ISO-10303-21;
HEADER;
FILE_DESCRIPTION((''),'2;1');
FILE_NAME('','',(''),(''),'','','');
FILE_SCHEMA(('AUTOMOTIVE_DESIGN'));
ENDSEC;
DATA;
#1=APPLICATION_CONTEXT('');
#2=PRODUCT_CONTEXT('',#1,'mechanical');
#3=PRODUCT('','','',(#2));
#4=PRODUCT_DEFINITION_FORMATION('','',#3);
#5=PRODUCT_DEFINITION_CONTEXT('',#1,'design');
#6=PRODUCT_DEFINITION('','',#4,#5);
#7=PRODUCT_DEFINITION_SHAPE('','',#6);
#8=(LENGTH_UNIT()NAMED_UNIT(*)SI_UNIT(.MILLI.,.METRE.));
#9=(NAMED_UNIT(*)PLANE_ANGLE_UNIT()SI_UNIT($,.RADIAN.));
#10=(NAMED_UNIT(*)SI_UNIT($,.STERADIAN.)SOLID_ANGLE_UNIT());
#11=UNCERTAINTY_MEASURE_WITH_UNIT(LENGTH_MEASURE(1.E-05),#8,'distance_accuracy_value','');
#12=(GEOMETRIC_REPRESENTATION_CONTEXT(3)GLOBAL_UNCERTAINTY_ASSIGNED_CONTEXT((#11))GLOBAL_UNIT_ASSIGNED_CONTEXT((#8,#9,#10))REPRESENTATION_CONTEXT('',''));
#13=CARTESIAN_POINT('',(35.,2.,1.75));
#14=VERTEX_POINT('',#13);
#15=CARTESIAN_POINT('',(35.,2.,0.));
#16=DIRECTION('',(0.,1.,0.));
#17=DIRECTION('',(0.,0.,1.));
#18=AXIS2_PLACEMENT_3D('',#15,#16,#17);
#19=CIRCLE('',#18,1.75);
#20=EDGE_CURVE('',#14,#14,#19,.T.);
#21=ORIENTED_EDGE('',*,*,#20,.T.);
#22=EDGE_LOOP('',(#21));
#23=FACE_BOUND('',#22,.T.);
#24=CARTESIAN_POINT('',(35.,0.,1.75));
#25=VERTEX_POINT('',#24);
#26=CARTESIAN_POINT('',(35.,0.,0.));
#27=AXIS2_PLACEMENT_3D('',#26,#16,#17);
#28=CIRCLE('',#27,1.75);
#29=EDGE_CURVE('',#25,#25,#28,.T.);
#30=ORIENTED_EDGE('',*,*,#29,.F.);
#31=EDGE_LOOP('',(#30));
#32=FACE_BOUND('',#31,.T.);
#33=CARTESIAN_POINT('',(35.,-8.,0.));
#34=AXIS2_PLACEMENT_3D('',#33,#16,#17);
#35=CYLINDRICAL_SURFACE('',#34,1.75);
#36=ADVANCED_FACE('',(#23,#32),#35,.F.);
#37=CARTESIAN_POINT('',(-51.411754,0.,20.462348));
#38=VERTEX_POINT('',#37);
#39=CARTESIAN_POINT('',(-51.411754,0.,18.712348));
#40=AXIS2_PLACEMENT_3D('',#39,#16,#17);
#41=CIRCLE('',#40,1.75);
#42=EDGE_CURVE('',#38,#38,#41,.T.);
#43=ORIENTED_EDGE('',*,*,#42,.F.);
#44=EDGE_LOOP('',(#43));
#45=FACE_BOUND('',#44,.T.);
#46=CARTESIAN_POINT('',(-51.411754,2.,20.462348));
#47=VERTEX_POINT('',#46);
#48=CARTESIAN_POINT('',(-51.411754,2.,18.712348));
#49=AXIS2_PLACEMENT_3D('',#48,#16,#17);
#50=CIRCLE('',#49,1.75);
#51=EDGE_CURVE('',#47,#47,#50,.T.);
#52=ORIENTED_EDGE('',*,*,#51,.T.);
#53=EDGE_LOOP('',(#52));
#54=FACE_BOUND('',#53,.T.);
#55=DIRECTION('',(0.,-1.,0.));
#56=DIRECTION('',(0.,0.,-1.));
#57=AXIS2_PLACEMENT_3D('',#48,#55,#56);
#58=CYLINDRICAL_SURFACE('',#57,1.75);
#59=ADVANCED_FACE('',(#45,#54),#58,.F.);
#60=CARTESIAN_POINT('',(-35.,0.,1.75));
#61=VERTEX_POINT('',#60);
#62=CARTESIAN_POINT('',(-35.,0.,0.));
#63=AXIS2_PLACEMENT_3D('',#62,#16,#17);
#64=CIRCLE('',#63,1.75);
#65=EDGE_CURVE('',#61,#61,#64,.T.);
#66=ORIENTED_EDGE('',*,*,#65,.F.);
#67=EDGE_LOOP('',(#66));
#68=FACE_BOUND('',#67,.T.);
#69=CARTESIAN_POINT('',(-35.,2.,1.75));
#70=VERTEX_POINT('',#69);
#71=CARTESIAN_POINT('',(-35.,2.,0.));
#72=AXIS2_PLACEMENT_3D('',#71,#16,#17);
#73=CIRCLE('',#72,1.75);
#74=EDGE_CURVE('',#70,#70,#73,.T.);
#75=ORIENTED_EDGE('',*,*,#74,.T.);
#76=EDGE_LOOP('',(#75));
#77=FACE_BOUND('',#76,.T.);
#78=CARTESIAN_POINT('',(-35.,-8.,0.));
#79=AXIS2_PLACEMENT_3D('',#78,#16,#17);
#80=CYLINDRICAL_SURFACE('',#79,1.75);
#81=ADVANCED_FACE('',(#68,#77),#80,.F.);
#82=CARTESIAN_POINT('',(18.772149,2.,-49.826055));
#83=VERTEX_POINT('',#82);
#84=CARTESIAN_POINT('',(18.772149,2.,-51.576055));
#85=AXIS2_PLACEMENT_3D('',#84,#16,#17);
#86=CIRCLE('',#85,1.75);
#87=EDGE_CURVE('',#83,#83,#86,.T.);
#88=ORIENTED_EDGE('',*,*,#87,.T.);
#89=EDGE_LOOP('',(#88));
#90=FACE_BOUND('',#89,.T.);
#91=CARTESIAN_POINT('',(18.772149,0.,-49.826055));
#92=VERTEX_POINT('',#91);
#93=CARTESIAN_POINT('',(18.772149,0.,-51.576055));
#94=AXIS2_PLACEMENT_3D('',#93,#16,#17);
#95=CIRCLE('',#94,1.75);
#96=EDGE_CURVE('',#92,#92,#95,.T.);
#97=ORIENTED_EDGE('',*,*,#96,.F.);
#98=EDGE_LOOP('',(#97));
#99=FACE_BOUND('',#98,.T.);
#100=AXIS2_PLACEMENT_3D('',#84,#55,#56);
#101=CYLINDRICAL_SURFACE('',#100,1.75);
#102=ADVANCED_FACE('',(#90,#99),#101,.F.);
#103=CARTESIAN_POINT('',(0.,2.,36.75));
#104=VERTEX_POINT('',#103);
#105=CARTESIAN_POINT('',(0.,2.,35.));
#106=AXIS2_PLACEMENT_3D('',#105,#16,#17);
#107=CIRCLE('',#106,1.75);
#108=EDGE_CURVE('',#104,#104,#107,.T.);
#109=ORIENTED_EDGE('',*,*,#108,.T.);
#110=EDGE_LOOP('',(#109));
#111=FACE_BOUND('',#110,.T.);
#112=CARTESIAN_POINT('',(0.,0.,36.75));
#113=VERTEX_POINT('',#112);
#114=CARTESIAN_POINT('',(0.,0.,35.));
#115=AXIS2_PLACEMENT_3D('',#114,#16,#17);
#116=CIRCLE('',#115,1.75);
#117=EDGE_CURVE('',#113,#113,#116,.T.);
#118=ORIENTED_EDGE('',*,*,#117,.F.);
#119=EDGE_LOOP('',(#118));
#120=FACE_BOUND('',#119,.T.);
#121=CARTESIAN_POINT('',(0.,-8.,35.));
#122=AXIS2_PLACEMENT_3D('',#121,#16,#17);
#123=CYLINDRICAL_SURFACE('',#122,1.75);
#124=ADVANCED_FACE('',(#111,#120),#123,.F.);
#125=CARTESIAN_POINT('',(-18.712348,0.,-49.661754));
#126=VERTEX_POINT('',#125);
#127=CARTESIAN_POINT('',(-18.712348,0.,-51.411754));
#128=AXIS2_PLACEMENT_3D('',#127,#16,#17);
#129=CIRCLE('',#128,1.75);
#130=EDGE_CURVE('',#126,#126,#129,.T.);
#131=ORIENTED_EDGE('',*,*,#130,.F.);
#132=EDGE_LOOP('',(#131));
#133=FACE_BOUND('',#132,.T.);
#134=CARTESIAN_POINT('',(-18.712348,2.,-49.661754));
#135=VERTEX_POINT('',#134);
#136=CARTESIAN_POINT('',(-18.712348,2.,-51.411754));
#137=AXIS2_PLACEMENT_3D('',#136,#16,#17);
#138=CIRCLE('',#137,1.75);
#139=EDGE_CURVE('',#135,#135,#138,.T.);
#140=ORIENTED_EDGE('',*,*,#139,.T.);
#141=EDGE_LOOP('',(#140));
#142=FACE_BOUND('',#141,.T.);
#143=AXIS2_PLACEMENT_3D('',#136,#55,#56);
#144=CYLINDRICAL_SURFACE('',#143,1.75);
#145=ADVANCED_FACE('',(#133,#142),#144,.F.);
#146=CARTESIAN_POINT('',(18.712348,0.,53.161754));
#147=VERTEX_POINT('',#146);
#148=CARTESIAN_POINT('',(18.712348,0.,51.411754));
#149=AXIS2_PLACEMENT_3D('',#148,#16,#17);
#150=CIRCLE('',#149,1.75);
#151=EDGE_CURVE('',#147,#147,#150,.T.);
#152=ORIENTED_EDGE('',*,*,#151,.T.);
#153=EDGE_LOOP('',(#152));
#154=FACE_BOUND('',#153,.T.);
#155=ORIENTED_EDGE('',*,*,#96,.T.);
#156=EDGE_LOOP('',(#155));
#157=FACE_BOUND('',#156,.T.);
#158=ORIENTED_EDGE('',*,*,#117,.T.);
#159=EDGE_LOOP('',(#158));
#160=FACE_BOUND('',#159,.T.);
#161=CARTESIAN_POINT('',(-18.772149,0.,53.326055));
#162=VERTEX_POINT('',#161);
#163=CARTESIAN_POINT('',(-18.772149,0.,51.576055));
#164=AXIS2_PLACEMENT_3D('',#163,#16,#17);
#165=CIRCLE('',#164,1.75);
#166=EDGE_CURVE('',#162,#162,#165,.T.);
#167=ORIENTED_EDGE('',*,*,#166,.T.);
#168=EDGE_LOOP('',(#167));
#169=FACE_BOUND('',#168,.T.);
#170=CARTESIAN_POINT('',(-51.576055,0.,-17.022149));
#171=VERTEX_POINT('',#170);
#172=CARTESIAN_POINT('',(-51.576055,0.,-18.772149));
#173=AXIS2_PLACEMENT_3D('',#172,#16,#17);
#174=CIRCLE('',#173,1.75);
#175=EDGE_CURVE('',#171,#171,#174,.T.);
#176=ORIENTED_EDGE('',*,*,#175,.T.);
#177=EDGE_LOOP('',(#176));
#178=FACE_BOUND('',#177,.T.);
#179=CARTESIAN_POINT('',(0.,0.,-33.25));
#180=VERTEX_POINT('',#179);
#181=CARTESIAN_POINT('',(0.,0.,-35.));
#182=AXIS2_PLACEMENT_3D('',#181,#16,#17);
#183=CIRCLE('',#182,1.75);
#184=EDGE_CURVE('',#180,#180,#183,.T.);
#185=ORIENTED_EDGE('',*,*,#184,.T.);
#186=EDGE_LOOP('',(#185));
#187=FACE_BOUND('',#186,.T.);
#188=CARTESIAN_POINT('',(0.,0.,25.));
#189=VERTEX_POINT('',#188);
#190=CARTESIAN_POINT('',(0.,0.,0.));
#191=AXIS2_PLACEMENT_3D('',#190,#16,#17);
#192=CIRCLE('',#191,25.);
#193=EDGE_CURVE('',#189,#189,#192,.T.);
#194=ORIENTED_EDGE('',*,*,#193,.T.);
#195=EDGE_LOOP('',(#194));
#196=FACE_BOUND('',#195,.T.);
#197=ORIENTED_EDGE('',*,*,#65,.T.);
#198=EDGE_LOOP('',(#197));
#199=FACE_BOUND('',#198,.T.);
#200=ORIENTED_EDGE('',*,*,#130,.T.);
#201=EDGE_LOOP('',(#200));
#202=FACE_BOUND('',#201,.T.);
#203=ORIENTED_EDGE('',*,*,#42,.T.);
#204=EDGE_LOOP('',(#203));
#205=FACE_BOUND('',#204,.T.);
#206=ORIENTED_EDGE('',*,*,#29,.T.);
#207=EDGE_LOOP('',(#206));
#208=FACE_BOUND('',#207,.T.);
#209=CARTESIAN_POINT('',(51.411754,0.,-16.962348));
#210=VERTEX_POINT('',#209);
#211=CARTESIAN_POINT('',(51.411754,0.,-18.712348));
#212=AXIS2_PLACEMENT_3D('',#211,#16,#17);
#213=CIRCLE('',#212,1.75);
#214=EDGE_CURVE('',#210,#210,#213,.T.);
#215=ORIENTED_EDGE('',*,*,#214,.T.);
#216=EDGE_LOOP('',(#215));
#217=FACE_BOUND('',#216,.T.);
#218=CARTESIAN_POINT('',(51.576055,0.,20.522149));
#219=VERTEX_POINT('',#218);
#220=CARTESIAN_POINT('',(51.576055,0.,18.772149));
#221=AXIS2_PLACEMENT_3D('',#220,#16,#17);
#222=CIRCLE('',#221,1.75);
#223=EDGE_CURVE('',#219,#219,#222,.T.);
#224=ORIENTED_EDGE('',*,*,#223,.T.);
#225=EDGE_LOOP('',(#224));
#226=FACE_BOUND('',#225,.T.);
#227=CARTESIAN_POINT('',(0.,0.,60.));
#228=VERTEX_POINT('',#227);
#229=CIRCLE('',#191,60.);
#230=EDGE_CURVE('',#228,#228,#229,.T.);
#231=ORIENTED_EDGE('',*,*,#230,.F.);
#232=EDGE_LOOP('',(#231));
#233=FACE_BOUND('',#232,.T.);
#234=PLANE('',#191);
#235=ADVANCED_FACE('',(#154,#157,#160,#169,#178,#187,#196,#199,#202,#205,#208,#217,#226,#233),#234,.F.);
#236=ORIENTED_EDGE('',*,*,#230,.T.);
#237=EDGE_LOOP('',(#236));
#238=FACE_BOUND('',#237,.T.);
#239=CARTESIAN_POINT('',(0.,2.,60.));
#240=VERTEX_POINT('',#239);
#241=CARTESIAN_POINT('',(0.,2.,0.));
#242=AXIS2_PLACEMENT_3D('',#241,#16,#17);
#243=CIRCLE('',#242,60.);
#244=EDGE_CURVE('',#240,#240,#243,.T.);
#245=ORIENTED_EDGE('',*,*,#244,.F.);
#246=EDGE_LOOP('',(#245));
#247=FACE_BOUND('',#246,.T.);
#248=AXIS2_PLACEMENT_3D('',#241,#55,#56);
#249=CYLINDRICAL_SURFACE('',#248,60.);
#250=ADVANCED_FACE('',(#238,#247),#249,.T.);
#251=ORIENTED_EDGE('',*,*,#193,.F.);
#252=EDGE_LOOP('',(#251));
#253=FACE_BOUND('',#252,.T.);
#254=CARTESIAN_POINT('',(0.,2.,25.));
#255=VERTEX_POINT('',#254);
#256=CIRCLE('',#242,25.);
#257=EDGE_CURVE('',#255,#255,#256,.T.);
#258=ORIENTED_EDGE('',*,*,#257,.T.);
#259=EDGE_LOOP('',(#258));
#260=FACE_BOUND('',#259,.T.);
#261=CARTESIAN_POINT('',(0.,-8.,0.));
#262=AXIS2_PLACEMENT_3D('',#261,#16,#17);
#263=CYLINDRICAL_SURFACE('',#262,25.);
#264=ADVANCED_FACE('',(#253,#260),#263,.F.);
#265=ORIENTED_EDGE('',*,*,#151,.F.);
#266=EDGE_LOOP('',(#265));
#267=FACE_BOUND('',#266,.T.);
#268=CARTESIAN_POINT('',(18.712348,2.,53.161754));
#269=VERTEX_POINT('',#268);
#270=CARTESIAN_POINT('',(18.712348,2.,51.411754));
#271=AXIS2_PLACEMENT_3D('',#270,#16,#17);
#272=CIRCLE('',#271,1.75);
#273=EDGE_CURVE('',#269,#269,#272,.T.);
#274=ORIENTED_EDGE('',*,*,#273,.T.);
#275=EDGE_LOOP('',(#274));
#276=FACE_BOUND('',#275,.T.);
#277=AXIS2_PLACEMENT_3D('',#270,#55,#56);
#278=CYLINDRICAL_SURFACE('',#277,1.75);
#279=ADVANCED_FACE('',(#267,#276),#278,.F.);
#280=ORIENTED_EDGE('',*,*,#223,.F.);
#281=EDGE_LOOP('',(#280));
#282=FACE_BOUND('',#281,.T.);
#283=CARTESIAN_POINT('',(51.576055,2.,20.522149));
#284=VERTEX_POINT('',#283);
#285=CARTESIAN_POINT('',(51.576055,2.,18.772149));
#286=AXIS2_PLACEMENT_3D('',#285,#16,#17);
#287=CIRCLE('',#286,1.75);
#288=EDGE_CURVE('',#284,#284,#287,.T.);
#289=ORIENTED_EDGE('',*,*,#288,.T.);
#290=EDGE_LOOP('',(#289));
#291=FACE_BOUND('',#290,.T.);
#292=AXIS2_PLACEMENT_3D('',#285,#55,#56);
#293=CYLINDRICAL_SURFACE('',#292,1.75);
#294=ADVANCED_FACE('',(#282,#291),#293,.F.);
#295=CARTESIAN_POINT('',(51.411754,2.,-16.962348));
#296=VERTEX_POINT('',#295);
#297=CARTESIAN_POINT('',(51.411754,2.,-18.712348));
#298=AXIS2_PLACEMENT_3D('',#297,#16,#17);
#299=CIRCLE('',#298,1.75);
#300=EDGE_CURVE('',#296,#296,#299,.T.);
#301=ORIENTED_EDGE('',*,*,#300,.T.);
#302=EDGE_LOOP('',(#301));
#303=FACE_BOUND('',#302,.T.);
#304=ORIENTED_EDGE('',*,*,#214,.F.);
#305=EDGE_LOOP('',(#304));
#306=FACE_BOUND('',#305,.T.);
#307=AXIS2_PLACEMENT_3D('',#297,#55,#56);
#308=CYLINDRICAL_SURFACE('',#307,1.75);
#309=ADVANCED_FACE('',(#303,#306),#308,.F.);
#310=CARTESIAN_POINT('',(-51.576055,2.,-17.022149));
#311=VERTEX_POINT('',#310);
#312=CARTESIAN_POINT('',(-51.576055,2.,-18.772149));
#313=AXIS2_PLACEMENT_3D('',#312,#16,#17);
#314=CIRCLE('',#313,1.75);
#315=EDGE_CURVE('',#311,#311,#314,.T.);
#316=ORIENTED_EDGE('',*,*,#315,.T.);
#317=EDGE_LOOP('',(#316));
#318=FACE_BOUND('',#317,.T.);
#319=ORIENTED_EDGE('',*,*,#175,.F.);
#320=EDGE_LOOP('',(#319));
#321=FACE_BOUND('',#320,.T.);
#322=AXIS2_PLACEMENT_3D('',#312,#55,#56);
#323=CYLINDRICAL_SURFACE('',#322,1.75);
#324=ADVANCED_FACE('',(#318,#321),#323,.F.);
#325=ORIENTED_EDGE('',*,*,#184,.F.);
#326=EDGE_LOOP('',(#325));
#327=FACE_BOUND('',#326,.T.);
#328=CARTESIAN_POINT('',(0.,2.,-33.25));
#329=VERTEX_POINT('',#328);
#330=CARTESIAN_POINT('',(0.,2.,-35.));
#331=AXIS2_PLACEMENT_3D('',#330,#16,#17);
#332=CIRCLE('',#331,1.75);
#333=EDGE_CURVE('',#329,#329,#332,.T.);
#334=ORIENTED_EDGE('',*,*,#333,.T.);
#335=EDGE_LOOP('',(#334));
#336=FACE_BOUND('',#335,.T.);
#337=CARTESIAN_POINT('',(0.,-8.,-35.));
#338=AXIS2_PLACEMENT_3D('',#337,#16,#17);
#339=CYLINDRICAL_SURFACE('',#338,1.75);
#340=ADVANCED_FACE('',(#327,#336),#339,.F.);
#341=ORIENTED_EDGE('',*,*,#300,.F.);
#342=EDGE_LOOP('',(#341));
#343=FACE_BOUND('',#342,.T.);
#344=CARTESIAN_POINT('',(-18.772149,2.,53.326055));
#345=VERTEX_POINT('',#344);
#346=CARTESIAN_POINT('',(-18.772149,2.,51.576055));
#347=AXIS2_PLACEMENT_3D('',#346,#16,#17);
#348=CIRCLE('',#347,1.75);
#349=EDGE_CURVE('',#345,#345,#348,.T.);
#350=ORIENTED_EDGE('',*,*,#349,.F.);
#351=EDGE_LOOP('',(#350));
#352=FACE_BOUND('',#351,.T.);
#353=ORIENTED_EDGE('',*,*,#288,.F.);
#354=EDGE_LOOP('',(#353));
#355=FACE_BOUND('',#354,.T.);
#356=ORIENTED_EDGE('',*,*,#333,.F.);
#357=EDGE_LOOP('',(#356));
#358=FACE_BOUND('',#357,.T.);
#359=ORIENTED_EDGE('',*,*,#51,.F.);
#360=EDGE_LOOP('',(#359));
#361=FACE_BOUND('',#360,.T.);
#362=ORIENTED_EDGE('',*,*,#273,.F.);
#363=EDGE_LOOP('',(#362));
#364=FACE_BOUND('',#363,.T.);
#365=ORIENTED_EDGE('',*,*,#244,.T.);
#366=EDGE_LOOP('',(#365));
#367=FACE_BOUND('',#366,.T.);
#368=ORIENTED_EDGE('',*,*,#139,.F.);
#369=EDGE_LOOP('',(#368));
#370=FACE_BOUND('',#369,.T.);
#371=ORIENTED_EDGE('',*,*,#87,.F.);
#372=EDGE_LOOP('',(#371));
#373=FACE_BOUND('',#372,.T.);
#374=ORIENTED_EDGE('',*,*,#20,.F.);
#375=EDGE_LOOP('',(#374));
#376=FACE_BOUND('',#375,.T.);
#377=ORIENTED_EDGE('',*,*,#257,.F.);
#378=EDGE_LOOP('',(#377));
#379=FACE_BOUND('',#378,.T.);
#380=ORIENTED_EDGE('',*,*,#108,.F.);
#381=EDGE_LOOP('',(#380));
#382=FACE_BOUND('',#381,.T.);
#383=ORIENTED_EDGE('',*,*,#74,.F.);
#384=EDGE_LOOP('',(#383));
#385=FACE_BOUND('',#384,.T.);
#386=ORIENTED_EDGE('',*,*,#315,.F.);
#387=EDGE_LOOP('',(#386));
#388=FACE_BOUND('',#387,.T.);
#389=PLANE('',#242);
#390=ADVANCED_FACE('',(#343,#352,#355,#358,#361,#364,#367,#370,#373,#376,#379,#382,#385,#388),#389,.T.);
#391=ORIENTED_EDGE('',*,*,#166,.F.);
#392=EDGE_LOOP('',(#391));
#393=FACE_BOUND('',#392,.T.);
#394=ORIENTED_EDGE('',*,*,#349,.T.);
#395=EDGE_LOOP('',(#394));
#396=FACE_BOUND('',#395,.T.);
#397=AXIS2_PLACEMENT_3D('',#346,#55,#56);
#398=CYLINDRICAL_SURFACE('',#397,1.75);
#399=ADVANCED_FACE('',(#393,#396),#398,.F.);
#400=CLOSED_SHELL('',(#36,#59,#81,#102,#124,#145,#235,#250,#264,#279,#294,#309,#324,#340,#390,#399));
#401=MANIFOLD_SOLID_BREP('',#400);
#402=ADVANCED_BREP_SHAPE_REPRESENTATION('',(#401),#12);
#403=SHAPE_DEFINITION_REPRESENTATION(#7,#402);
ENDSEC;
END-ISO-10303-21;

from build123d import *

# Parameters (mm, degrees)
IZIM1_R                     = 60
IZIM1_R_2                   = 1.75
Y_KSEKLIK_EKSTR_ZYON1_DEPTH = 2
IZIM2_R                     = 1.75
KES_EKSTR_ZYON1_DEPTH       = 10
IZIM3_R                     = 25
KES_EKSTR_ZYON2_DEPTH       = 10


with BuildPart() as part:
    # Çizim1 → Yükseklik-Ekstrüzyon1 (new body)
    with BuildSketch(Plane(origin=(0, 0, 0), x_dir=(1, 0, 0), z_dir=(0, 1, 0))):
        with Locations(Location((0, 0, 0), (0, 0, 270))):
            Circle(IZIM1_R)
        with Locations(Location((-51.576054603, 18.772148676, 0), (0, 0, 270))):
            Circle(IZIM1_R_2, mode=Mode.SUBTRACT)
        with Locations(Location((-18.712348032, 51.411753683, 0), (0, 0, 270))):
            Circle(IZIM1_R_2, mode=Mode.SUBTRACT)
        with Locations(Location((18.772148676, 51.576054603, 0), (0, 0, 270))):
            Circle(IZIM1_R_2, mode=Mode.SUBTRACT)
        with Locations(Location((51.411753683, 18.712348032, 0), (0, 0, 270))):
            Circle(IZIM1_R_2, mode=Mode.SUBTRACT)
        with Locations(Location((51.576054603, -18.772148676, 0), (0, 0, 270))):
            Circle(IZIM1_R_2, mode=Mode.SUBTRACT)
        with Locations(Location((18.712348032, -51.411753683, 0), (0, 0, 270))):
            Circle(IZIM1_R_2, mode=Mode.SUBTRACT)
        with Locations(Location((-18.772148676, -51.576054603, 0), (0, 0, 270))):
            Circle(IZIM1_R_2, mode=Mode.SUBTRACT)
        with Locations(Location((-51.411753683, -18.712348032, 0), (0, 0, 270))):
            Circle(IZIM1_R_2, mode=Mode.SUBTRACT)
    extrude(amount=Y_KSEKLIK_EKSTR_ZYON1_DEPTH)

    # Çizim2 → Kes-Ekstrüzyon1 (cut)
    with BuildSketch(Plane(origin=(0, 2, 0), x_dir=(1, 0, 0), z_dir=(0, 1, 0))):
        with Locations(Location((0, 35, 0), (0, 0, 270))):
            Circle(IZIM2_R)
        with Locations(Location((35, 0, 0), (0, 0, 270))):
            Circle(IZIM2_R)
        with Locations(Location((0, -35, 0), (0, 0, 270))):
            Circle(IZIM2_R)
        with Locations(Location((-35, 0, 0), (0, 0, 270))):
            Circle(IZIM2_R)
    extrude(amount=-KES_EKSTR_ZYON1_DEPTH, mode=Mode.SUBTRACT)

    # Çizim3 → Kes-Ekstrüzyon2 (cut)
    with BuildSketch(Plane(origin=(0, 2, 0), x_dir=(1, 0, 0), z_dir=(0, 1, 0))):
        with Locations(Location((0, 0, 0), (0, 0, 270))):
            Circle(IZIM3_R)
    extrude(amount=-KES_EKSTR_ZYON2_DEPTH, mode=Mode.SUBTRACT)


solid = part.part
